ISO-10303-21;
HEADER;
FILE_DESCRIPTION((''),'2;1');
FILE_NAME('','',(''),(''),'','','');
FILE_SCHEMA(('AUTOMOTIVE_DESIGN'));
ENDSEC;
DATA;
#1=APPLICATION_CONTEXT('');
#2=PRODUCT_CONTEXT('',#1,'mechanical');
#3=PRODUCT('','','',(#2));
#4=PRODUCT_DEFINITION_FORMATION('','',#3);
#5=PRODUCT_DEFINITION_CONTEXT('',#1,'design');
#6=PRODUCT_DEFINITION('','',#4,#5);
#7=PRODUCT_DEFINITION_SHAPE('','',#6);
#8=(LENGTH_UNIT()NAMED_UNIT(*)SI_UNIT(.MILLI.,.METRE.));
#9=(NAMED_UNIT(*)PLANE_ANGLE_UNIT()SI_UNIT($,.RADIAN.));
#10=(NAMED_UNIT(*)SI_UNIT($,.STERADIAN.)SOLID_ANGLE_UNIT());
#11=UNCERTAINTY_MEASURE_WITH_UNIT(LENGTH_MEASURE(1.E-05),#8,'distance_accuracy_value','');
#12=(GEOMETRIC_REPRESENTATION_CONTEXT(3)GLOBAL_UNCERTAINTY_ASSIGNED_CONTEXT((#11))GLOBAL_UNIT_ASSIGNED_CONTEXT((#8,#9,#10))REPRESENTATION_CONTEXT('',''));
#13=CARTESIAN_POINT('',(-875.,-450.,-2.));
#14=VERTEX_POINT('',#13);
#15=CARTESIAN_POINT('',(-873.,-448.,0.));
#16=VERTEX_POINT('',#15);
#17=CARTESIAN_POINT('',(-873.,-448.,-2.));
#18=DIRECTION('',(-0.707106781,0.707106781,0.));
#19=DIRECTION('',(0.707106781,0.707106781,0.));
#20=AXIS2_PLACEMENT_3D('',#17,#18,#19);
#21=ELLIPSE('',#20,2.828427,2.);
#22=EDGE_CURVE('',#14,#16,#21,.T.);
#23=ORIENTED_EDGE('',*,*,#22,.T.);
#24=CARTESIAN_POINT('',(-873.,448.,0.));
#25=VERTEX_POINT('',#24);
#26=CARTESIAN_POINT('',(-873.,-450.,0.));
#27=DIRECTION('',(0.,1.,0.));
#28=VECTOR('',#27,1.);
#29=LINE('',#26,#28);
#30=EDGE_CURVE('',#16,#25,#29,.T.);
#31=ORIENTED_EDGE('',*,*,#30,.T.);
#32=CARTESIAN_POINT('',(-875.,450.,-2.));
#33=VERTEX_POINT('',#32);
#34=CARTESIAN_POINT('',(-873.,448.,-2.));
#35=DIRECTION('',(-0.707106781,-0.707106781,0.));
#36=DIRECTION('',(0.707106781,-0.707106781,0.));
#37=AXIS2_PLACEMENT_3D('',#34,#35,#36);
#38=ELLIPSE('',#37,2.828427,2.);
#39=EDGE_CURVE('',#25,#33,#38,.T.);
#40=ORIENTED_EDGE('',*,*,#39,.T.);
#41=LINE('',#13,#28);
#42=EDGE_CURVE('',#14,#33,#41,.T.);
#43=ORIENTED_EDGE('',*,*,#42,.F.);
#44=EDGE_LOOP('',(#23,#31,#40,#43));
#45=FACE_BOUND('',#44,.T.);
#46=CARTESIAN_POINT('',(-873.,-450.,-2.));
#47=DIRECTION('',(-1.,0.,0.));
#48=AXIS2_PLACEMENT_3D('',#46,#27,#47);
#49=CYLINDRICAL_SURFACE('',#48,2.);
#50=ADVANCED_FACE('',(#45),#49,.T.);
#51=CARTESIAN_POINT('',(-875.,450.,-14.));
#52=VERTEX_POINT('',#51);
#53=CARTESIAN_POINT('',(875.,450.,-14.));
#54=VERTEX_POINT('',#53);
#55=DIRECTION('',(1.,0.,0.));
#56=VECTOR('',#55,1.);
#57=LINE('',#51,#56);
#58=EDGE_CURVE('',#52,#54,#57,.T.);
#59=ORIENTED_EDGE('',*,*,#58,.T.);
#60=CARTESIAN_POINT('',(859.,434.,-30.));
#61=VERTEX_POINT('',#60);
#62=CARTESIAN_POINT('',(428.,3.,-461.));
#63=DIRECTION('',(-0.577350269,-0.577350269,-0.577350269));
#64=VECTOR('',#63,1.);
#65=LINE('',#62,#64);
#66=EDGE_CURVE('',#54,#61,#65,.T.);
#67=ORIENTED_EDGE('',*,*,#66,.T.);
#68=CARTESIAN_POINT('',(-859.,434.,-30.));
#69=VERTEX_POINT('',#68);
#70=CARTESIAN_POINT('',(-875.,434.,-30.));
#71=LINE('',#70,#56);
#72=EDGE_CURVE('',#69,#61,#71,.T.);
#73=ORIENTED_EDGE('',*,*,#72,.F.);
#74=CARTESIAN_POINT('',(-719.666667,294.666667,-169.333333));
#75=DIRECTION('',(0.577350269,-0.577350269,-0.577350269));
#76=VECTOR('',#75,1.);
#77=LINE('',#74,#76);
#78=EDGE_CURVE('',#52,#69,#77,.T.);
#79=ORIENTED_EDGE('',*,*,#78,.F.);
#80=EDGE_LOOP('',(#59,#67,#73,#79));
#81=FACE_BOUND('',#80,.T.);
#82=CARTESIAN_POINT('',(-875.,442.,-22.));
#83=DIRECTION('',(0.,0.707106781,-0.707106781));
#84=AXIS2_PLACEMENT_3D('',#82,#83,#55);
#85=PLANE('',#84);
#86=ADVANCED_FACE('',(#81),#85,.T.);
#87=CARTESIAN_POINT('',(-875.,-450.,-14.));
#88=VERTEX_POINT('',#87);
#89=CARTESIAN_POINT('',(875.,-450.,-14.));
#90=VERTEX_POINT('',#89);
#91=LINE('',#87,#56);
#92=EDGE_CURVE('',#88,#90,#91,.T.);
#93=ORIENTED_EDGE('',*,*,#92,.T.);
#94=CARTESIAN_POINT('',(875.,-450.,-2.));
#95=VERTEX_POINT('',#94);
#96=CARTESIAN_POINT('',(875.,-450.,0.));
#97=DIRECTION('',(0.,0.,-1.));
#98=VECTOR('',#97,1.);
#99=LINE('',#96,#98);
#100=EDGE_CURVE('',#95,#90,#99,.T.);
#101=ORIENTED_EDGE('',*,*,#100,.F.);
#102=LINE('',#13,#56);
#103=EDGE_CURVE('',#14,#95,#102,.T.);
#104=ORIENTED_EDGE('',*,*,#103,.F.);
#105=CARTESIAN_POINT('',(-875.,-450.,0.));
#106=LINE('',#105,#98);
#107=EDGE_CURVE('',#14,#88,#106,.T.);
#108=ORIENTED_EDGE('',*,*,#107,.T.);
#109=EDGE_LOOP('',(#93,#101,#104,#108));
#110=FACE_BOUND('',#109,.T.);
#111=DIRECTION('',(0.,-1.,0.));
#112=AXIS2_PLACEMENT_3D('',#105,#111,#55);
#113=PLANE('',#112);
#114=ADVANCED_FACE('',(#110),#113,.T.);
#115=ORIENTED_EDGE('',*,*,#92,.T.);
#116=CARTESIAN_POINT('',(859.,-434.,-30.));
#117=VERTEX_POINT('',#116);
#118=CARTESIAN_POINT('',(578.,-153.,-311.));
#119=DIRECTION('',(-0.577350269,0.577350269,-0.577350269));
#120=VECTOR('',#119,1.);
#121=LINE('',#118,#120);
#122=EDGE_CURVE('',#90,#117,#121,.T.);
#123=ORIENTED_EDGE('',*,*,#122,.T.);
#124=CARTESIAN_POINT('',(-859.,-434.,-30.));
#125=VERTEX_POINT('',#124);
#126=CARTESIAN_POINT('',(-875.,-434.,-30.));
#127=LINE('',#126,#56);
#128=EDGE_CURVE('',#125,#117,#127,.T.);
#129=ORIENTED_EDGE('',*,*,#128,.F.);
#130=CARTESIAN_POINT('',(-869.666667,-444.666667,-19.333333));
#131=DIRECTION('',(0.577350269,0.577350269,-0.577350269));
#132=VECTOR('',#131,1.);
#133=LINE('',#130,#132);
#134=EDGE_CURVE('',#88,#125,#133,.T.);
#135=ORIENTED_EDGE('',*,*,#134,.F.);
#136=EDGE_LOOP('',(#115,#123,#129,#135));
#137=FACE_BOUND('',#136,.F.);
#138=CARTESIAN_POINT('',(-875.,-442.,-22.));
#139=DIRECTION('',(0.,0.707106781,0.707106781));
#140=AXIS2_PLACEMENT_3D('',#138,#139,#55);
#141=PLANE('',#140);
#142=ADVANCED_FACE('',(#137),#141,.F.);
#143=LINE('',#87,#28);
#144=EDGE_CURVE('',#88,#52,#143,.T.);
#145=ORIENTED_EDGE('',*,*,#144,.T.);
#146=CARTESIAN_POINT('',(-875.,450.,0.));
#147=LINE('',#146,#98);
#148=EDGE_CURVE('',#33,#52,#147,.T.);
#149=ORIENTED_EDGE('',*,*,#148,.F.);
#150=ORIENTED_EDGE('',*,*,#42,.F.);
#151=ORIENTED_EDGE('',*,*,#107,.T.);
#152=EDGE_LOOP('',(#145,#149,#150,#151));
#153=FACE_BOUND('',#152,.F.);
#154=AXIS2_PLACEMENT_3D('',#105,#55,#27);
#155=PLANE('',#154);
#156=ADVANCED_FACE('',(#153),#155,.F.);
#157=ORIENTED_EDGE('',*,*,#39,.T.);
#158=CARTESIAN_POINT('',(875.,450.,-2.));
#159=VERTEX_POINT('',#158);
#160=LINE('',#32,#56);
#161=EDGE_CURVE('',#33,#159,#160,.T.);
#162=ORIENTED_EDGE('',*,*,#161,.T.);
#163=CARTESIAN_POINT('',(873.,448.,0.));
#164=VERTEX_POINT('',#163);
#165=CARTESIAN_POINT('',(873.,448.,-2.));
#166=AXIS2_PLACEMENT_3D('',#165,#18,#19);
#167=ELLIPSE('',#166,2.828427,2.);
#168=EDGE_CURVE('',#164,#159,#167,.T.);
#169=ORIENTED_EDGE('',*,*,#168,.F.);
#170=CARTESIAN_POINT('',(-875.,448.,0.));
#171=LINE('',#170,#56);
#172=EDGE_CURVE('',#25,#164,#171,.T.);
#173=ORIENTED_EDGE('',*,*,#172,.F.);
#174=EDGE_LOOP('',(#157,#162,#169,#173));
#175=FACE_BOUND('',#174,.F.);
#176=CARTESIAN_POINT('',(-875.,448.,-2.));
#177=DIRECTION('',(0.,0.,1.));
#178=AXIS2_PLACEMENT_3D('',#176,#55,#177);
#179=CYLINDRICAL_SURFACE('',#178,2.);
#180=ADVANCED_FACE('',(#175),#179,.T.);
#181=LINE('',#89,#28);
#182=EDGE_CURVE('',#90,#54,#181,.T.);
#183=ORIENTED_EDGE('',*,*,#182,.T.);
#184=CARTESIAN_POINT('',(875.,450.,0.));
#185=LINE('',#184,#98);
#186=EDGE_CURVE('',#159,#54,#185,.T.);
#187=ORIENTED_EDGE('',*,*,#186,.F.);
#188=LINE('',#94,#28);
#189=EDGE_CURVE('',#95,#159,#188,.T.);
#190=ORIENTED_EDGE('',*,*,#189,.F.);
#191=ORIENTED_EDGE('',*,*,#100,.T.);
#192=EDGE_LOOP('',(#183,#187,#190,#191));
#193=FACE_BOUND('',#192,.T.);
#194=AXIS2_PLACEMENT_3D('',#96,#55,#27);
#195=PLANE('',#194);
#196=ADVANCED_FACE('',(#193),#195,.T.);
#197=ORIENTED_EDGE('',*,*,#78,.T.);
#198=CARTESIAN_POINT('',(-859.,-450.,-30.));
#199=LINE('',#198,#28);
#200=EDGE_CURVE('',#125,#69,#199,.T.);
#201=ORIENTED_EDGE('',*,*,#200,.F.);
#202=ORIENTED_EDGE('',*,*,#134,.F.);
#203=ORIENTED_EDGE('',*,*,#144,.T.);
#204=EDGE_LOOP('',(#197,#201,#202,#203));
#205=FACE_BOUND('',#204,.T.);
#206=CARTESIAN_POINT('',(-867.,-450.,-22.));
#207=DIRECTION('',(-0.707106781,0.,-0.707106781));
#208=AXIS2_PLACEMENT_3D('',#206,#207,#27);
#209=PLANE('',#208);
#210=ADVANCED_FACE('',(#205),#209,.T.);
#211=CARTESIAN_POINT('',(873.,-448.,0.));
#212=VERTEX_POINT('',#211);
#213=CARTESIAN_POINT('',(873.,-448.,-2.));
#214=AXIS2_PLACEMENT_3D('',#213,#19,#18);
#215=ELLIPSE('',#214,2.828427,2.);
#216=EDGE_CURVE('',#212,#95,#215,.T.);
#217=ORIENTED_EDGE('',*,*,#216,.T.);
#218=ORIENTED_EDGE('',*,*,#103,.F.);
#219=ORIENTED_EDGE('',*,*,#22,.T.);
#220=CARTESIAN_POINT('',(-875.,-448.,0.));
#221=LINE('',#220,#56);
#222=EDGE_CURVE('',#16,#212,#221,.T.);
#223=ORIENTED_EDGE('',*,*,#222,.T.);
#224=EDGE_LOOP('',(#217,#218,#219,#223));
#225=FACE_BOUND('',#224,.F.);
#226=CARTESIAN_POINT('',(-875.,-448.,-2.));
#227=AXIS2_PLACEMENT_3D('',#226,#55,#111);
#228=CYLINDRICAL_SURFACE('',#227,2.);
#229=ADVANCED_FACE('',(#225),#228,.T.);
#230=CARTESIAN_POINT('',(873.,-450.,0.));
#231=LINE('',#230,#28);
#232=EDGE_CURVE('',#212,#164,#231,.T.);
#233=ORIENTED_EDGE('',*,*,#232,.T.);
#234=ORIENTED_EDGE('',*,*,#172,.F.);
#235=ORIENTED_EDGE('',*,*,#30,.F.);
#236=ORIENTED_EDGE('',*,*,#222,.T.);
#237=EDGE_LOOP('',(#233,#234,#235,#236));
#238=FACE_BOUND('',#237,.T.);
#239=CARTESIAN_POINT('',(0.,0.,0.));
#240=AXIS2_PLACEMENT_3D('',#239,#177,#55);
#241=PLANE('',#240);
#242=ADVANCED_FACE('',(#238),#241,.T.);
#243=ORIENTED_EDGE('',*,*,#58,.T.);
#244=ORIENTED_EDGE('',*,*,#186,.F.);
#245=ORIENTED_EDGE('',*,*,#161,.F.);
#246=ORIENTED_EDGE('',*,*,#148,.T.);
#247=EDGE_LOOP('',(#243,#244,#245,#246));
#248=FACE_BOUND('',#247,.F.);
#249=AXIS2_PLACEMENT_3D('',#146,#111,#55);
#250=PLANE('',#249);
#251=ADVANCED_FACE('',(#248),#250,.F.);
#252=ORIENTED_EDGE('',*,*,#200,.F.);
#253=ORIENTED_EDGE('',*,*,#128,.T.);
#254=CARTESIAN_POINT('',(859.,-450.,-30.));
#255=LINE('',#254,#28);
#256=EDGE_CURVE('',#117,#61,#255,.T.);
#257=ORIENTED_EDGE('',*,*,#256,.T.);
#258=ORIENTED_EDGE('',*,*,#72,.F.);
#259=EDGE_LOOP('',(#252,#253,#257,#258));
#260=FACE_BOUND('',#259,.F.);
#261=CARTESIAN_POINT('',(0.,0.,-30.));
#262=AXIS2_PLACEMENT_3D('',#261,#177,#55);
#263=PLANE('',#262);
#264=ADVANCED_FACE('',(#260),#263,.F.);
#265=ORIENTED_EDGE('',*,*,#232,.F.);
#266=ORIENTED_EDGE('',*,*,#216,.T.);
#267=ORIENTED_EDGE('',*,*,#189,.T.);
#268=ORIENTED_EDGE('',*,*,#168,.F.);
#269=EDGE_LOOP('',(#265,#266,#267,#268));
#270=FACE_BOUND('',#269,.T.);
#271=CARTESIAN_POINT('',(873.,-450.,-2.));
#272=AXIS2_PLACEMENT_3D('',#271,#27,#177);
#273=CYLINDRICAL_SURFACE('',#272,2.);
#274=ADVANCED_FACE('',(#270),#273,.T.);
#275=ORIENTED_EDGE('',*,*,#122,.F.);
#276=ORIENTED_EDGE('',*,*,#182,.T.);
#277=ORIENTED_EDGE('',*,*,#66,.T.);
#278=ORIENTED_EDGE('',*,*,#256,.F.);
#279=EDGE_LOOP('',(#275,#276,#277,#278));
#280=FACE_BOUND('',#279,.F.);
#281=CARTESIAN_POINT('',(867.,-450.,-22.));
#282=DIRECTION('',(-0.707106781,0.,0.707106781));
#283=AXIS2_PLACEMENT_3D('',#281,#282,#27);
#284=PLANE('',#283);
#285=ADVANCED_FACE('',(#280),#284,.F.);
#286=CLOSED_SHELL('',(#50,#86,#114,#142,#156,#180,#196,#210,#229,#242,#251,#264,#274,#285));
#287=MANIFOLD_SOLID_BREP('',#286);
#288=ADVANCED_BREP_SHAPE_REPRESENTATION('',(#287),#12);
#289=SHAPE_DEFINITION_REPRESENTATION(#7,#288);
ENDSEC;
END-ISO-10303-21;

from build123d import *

# Parameters (mm, degrees)
F0_W     = 1750
F0_H     = 900
F1_DEPTH = 30
F2_SIZE  = 16
F3_R     = 2


with BuildPart() as f1:
    # F0 (on Top) → F1 (new body)
    with BuildSketch(Plane.XY):
        Rectangle(F0_W, F0_H)
    extrude(amount=-F1_DEPTH)

    # F2
    f2_edges = [f1.edges().sort_by_distance(p)[0] for p in [
        (0, -450, -30),
        (-875, 0, -30),
        (0, 450, -30),
        (875, 0, -30),
    ]]
    chamfer(f2_edges, length=F2_SIZE)

    # F3
    f3_edges = [f1.edges().sort_by_distance(p)[0] for p in [
        (0, 450, 0),
        (875, 0, 0),
        (0, -450, 0),
        (-875, 0, 0),
    ]]
    fillet(f3_edges, radius=F3_R)


solid = f1.part
